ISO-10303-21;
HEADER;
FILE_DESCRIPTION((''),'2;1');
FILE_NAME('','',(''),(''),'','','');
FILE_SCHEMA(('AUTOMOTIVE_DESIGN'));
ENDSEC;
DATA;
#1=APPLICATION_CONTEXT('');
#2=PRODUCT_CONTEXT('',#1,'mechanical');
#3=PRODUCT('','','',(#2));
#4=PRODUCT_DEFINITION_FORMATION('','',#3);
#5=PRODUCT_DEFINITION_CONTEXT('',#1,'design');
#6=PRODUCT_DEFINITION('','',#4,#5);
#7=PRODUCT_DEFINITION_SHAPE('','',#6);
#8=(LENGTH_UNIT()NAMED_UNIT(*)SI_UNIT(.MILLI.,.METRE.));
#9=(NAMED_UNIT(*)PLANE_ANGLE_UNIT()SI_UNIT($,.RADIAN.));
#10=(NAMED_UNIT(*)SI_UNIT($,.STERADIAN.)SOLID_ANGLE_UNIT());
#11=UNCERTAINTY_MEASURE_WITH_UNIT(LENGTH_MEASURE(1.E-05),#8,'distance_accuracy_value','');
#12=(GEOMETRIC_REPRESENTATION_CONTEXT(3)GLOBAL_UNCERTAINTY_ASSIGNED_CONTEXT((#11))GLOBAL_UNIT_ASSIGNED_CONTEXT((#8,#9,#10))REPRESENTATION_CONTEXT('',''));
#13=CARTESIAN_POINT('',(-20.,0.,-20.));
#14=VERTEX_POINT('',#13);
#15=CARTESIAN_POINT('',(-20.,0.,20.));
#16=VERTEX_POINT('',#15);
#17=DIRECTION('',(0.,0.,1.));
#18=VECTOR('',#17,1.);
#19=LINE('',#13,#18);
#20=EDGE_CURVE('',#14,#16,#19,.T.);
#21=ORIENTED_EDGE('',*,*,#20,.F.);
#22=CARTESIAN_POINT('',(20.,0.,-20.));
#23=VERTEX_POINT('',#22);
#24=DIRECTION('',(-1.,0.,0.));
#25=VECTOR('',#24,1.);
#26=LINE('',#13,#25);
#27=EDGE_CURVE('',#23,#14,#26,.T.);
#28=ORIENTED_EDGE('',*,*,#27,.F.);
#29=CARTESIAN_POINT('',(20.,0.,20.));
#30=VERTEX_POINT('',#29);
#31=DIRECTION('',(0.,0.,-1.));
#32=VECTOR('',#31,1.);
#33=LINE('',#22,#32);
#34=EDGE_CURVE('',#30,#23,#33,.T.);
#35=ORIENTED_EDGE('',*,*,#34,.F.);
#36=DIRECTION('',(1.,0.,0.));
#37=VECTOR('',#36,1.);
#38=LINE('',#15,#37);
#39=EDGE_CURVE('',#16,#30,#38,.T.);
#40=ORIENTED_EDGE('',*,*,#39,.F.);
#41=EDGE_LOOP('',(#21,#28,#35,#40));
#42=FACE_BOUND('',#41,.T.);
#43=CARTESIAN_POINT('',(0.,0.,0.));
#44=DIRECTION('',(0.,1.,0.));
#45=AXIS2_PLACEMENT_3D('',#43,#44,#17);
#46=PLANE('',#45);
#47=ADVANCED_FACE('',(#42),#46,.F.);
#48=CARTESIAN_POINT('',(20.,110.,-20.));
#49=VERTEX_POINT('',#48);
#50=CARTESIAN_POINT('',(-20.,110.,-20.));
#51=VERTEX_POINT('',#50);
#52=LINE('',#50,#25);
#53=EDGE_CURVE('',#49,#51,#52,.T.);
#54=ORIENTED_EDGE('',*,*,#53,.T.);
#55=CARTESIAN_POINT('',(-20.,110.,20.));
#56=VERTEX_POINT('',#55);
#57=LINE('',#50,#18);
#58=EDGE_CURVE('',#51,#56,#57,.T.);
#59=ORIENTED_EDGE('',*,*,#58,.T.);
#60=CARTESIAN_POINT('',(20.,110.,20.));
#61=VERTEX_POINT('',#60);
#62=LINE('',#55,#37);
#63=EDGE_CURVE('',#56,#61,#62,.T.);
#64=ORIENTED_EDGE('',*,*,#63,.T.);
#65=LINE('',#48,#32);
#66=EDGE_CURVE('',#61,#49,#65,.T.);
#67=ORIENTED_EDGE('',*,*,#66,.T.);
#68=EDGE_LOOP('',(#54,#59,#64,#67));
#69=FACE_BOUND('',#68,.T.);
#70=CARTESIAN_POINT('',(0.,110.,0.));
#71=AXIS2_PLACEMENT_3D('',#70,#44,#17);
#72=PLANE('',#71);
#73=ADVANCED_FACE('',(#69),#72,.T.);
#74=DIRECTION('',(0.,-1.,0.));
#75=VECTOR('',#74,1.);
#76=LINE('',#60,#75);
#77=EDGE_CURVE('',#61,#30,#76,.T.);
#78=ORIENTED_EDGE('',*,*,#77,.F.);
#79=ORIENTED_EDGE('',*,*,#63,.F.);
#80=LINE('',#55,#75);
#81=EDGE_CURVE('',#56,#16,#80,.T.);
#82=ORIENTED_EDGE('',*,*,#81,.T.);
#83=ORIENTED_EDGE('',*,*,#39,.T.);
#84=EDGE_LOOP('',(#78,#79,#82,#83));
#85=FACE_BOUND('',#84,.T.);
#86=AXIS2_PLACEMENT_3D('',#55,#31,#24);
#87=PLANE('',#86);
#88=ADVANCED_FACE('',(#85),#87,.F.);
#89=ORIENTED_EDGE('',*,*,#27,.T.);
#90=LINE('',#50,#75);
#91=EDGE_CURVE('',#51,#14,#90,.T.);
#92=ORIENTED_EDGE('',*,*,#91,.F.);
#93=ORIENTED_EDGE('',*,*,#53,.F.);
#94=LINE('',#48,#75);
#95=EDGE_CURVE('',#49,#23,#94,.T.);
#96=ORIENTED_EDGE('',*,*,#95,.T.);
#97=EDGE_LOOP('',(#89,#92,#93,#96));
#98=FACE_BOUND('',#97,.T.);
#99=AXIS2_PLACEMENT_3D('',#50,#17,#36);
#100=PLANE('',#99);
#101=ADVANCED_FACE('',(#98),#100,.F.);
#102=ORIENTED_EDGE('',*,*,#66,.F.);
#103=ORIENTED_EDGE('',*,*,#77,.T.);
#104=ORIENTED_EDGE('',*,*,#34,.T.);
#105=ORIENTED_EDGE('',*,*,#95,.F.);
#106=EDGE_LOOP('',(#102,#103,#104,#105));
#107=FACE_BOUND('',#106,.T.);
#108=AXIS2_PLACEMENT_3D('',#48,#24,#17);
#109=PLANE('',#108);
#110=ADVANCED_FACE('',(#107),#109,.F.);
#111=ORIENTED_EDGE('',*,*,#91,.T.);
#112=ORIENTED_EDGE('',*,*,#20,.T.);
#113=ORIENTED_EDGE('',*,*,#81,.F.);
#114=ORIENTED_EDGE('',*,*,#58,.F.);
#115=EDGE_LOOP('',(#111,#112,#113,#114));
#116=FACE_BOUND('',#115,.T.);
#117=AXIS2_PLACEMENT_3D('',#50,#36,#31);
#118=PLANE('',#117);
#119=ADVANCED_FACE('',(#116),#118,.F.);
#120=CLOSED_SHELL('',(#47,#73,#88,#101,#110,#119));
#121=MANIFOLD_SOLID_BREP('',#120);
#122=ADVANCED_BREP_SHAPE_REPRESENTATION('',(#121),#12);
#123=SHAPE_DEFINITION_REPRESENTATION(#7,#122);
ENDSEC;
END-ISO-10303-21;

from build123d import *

# Parameters (mm, degrees)
SKETCH1_W           = 40
SKETCH1_H           = 40
BOSS_EXTRUDE1_DEPTH = 110


with BuildPart() as part:
    # Sketch1 → Boss-Extrude1 (new body)
    with BuildSketch(Plane(origin=(0, 0, 0), x_dir=(1, 0, 0), z_dir=(0, 1, 0))):
        Rectangle(SKETCH1_W, SKETCH1_H)
    extrude(amount=BOSS_EXTRUDE1_DEPTH)


solid = part.part
